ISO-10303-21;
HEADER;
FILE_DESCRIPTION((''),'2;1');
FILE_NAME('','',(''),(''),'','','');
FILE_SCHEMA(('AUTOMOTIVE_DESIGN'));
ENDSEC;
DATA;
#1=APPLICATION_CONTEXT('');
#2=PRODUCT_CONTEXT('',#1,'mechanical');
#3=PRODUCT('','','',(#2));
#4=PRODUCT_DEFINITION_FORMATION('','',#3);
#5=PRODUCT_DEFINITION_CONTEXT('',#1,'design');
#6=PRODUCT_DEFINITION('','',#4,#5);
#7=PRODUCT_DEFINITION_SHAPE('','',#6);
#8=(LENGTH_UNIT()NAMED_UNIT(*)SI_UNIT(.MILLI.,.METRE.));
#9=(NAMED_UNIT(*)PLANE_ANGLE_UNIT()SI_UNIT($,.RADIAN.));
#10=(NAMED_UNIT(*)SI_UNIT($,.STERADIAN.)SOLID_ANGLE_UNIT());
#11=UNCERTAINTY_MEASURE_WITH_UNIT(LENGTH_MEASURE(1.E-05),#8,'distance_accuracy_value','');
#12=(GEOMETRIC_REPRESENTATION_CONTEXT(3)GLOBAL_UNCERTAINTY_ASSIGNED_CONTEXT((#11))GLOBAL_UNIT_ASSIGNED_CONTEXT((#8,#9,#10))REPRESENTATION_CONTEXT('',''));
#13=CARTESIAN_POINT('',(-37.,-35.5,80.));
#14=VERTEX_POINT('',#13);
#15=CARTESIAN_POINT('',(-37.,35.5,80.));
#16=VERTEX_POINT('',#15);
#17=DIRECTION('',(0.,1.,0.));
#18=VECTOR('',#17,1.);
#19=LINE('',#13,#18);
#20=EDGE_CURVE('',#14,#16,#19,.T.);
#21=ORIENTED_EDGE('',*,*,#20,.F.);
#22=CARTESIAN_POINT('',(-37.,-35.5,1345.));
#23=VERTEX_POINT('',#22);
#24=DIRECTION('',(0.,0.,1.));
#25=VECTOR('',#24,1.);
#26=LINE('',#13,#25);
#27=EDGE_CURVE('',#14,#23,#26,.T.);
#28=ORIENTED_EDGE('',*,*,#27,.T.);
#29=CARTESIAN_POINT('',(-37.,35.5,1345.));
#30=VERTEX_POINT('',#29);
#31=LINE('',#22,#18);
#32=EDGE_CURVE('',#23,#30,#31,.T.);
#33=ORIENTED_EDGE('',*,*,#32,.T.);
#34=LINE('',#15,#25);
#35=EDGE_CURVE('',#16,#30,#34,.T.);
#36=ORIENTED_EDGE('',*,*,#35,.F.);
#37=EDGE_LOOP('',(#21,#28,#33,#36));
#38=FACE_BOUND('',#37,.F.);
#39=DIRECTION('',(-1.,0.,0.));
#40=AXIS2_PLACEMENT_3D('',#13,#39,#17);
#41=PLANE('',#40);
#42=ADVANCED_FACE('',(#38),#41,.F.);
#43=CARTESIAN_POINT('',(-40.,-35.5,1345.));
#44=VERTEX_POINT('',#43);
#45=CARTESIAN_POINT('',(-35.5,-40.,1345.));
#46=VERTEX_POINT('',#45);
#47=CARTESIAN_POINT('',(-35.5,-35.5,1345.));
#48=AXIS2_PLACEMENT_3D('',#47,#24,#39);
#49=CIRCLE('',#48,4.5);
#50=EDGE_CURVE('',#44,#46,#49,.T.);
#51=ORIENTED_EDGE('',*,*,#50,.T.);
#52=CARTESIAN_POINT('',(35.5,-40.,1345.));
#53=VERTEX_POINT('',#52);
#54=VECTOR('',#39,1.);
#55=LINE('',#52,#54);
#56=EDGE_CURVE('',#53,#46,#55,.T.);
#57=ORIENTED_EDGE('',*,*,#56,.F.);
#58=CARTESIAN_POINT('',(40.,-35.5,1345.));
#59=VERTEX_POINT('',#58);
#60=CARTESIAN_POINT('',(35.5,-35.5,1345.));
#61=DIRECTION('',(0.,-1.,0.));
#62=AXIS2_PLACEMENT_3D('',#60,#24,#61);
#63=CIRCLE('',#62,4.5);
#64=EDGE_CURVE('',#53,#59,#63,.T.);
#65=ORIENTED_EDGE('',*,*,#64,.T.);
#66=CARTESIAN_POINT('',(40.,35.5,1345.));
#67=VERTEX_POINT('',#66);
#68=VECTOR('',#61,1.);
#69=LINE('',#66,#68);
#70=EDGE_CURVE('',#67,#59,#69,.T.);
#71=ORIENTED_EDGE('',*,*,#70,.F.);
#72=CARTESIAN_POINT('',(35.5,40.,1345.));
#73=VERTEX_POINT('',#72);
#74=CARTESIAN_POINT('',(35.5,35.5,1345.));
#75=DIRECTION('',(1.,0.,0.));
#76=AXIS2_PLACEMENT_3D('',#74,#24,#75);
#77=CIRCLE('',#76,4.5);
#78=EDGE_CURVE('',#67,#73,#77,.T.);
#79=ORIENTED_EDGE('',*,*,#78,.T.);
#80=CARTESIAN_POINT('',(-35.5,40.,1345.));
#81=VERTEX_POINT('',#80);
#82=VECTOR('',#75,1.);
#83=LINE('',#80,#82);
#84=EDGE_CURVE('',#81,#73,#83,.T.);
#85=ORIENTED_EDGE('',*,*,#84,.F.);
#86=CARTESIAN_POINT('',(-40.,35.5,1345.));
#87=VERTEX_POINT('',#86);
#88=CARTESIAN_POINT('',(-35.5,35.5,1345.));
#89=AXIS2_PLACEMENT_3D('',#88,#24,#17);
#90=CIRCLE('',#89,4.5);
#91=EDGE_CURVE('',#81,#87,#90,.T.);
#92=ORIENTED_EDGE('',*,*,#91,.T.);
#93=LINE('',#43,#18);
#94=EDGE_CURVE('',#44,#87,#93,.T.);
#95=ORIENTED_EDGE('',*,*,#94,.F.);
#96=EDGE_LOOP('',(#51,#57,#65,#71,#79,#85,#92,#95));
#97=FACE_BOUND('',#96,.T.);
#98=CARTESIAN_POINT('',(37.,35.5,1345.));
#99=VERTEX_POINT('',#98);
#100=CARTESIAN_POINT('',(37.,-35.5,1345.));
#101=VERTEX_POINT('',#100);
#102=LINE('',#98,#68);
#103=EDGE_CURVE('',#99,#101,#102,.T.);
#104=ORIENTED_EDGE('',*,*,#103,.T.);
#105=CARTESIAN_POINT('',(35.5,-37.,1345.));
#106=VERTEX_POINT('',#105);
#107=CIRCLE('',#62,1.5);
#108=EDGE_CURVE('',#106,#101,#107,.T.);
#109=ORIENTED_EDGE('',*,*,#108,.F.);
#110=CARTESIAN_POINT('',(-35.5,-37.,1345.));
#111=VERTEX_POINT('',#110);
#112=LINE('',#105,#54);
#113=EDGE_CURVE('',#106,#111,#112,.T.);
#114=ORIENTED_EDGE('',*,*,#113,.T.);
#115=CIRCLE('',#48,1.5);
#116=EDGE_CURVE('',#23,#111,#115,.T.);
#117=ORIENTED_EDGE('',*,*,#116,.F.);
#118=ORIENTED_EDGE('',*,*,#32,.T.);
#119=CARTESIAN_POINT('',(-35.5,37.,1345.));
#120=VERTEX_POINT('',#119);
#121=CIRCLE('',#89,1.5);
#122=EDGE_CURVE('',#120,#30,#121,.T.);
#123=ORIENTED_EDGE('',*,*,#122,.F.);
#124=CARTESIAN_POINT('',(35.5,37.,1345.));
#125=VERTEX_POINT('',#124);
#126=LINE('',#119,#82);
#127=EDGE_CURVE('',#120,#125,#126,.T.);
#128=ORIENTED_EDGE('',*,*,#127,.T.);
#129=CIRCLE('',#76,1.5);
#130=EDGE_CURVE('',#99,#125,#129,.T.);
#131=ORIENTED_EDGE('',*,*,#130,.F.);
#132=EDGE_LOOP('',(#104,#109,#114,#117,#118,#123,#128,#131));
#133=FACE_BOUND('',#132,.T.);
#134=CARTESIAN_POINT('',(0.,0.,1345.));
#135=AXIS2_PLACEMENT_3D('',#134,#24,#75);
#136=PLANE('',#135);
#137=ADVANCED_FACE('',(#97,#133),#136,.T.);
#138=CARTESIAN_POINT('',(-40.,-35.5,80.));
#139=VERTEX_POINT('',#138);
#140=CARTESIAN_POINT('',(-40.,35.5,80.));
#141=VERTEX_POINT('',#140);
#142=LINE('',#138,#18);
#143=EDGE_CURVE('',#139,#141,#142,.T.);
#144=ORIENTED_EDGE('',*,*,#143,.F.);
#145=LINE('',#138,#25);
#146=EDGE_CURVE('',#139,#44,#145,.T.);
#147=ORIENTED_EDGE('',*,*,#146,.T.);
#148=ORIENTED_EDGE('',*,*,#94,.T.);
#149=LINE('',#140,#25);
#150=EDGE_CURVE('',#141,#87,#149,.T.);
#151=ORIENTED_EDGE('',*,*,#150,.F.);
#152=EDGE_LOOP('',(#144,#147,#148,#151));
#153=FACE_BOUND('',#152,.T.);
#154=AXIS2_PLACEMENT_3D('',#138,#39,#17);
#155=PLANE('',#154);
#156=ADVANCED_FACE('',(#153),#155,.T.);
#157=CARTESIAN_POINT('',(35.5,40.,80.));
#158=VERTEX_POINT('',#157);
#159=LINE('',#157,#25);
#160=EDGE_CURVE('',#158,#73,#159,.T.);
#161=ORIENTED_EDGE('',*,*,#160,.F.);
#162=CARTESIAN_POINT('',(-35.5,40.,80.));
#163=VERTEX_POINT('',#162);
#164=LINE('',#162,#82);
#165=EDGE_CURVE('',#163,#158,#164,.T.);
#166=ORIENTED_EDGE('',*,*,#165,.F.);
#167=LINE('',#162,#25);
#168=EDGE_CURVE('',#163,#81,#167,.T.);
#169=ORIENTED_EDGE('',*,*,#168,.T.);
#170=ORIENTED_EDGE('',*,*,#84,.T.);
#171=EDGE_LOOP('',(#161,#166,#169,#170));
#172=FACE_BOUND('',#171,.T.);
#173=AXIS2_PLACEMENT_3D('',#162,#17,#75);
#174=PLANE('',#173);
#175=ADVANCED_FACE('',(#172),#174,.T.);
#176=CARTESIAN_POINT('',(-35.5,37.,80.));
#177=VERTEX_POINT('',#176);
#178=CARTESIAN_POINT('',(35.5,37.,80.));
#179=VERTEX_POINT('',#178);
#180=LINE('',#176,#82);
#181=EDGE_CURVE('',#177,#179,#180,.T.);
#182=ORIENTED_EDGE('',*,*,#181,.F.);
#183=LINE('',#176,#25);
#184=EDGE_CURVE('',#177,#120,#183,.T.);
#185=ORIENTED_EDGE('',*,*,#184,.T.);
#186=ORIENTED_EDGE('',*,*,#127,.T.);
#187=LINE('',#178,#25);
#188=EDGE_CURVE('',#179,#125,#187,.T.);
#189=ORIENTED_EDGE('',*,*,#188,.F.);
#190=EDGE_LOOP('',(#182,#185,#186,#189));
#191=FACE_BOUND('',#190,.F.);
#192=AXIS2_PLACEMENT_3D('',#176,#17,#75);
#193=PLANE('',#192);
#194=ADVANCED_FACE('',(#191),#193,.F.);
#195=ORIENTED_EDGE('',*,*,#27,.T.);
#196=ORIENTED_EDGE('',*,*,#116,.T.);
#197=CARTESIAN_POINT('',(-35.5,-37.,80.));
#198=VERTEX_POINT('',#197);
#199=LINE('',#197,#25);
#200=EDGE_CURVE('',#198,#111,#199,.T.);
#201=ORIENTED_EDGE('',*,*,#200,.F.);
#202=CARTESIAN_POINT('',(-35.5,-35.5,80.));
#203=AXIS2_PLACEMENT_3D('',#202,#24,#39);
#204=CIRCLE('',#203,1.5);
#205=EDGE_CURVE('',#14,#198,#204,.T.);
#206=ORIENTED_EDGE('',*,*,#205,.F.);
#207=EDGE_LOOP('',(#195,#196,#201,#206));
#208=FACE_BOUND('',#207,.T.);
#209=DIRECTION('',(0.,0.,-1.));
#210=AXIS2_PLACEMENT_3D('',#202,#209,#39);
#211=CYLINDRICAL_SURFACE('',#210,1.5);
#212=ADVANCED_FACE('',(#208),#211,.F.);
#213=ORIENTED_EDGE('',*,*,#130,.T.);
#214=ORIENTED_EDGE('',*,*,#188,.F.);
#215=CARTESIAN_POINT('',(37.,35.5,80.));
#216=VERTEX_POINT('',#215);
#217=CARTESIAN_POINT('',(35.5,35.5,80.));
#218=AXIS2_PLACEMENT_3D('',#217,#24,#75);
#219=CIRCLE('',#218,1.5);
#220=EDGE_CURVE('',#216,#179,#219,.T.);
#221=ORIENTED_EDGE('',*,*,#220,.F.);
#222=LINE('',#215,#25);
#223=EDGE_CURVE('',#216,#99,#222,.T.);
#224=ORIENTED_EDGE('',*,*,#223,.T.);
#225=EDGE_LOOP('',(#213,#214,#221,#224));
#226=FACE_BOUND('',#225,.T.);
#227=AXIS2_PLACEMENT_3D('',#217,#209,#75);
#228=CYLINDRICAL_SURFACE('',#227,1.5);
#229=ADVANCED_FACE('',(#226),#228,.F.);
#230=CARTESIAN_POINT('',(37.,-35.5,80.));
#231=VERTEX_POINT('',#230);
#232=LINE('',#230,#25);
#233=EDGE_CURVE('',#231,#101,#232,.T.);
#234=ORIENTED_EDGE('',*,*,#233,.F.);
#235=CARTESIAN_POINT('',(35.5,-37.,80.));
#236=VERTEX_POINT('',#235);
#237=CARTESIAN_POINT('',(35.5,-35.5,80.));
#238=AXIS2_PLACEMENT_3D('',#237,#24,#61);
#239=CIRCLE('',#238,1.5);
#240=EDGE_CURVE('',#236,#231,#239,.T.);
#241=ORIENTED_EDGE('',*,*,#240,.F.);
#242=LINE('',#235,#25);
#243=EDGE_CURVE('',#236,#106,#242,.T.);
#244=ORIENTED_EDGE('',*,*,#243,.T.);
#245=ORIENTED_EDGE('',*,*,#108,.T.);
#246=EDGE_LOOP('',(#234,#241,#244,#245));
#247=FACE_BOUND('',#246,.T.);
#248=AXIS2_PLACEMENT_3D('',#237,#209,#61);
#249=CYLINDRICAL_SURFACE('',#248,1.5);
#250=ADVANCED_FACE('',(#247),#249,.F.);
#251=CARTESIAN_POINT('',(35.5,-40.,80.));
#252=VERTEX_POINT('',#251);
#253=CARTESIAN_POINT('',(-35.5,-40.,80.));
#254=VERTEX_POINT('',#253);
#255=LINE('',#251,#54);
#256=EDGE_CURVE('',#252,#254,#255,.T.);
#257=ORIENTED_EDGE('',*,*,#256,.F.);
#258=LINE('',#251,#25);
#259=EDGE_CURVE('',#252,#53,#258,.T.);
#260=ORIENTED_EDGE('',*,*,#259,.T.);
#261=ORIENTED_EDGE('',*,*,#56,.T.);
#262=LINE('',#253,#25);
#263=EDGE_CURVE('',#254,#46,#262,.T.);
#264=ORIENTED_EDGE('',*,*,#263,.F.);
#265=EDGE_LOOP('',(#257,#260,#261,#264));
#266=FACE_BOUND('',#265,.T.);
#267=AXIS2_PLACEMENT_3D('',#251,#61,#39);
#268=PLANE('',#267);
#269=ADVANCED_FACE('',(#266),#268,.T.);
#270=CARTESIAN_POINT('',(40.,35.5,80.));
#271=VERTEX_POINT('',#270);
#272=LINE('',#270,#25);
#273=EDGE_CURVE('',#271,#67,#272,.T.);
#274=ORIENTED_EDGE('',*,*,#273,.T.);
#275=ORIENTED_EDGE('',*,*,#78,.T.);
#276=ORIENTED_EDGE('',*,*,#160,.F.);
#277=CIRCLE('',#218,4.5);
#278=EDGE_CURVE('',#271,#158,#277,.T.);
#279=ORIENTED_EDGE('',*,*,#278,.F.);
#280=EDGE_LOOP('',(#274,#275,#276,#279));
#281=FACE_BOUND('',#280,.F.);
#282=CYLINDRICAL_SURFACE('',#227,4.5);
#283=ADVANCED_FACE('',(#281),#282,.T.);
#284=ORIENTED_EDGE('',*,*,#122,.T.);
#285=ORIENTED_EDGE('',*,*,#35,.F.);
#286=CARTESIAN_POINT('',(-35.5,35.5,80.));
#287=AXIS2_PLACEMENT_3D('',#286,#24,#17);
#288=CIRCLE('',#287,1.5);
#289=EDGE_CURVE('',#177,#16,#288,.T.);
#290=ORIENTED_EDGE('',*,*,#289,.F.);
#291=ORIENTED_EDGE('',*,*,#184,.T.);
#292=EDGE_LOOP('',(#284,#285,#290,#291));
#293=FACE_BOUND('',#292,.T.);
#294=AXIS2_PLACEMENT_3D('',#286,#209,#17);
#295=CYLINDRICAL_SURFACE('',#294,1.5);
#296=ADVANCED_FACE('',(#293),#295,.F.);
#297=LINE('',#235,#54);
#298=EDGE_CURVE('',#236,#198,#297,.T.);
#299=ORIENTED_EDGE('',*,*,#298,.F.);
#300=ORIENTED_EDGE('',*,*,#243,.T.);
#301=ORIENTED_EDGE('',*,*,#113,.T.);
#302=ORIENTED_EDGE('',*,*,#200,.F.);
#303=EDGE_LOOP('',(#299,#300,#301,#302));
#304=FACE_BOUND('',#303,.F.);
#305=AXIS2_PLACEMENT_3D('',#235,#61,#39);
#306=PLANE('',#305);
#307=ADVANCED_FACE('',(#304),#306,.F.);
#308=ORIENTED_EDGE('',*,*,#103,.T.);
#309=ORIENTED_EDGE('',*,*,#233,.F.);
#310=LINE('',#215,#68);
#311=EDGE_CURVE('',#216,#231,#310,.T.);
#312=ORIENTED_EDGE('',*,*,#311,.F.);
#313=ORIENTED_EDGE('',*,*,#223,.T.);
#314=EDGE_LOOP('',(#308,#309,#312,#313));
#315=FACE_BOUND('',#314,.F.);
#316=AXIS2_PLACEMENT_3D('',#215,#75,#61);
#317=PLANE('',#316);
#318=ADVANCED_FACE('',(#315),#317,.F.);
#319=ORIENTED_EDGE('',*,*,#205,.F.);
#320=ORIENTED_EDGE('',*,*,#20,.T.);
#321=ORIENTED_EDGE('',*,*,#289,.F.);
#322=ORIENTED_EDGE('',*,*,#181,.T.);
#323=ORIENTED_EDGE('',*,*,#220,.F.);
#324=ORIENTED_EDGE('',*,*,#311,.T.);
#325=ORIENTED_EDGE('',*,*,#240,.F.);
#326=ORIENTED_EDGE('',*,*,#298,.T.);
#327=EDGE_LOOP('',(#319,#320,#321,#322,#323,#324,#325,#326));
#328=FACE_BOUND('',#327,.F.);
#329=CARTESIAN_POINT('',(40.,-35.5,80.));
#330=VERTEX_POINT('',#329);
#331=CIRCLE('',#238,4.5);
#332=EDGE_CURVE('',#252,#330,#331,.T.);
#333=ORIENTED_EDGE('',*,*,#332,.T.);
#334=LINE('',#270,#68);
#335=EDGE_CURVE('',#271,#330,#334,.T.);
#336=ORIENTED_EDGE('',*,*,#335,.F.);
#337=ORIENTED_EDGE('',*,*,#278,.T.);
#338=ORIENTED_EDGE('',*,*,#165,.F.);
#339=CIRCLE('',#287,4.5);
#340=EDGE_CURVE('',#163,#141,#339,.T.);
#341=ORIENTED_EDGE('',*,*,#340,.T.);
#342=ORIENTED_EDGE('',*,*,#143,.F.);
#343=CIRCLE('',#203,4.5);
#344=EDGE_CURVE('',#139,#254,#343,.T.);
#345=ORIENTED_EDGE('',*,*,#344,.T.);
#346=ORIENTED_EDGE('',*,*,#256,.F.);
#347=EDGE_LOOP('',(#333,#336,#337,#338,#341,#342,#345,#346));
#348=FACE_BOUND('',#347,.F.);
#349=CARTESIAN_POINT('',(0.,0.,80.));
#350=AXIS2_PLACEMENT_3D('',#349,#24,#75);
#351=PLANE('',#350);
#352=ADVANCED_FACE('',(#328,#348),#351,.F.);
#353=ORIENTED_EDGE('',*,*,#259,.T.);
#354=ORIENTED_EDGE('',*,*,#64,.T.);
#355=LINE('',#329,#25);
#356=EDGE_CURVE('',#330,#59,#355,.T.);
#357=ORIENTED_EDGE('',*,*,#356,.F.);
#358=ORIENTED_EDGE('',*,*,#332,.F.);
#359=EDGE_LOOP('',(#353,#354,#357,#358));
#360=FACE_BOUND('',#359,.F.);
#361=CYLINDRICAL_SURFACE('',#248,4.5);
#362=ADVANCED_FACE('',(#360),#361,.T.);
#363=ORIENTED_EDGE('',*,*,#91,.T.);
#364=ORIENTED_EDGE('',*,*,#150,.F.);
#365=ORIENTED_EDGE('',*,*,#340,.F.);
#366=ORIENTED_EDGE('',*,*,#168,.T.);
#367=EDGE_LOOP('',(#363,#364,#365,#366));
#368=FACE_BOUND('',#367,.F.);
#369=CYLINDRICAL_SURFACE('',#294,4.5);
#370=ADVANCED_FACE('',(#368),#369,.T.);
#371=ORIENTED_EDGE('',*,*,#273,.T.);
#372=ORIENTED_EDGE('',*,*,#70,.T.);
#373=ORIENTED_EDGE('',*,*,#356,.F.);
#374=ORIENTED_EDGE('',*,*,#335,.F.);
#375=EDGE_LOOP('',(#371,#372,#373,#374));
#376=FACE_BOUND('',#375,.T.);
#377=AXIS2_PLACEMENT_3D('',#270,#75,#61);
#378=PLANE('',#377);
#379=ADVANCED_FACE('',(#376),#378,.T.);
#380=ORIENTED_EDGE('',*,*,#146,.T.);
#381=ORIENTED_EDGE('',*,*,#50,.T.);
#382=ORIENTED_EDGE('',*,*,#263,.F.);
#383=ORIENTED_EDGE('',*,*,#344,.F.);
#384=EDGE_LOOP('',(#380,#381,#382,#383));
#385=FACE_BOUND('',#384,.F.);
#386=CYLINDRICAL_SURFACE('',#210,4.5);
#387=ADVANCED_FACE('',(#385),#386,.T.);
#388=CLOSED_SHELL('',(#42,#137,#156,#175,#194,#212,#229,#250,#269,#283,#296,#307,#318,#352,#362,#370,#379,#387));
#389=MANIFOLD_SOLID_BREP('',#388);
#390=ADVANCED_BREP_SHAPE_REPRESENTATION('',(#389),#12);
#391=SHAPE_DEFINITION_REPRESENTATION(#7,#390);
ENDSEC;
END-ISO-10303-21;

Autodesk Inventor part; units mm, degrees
ref_plane "YZ Plane" through (0, 0, 0) normal (1, 0, 0) x (0, 1, 0)
ref_plane "Start Plane" through (0, 0, 80) normal (0, 0, 1) x (1, 0, 0)
ref_plane "End Plane" through (0, 0, 1345) normal (0, 0, 1) x (1, 0, 0)
sketch "Sketch" plane through (0, 0, 0) normal (0, 0, 1) x (1, 0, 0)
  line L0 (-40, -35.5) -> (-40, 35.5)
  line L1 (-35.5, 40) -> (35.5, 40)
  line L2 (40, 35.5) -> (40, -35.5)
  line L3 (35.5, -40) -> (-35.5, -40)
  arc A0 (-40, -35.5) -> (-35.5, -40) centre (-35.5, -35.5) ccw
  arc A1 (-35.5, 40) -> (-40, 35.5) centre (-35.5, 35.5) ccw
  arc A2 (40, 35.5) -> (35.5, 40) centre (35.5, 35.5) ccw
  arc A3 (35.5, -40) -> (40, -35.5) centre (35.5, -35.5) ccw
  arc A4 (-35.5, 37) -> (-37, 35.5) centre (-35.5, 35.5) ccw
  line L4 (-35.5, 37) -> (35.5, 37)
  arc A5 (37, 35.5) -> (35.5, 37) centre (35.5, 35.5) ccw
  line L5 (37, 35.5) -> (37, -35.5)
  arc A6 (35.5, -37) -> (37, -35.5) centre (35.5, -35.5) ccw
  line L6 (35.5, -37) -> (-35.5, -37)
  arc A7 (-37, -35.5) -> (-35.5, -37) centre (-35.5, -35.5) ccw
  line L7 (-37, -35.5) -> (-37, 35.5)
  line L8 (0, 57.3048) -> (0, -57.3048) construction
  line L9 (-57.3048, 0) -> (57.3048, 0) construction
  dimension "d7" = 4.5
  dimension "d10" = 80
  dimension "d11" = 80
  dimension "d12" = 3
  dimension "d15" = 40
  dimension "d16" = 40
extrude "Body" add sketch "Sketch" along normal up to surface (1265 mm away) from surface at 80
sketch "Sketch3" plane through (0, 0, 0) normal (0, 0, 1) x (1, 0, 0)
  line L0 (0, 0) -> (10, 0)
ref_plane "Work Plane3" through (0, 0, 0) normal (0, -1, 0) x (1, 0, 0)
sketch "Sketch4" plane through (0, 0, 0) normal (0, -1, 0) x (1, 0, 0)
  line L0 (-2, 80) -> (12, 80) projected
  line L1 (-2, 1345) -> (12, 1345) projected
  dimension "d18" = 1265
equation "\"d7\" = G_IR"
equation "\"d10\" = G_H"
equation "\"d11\" = G_W"
equation "\"d12\" = G_T"
equation "\"d15\" = 0.5 * d10"
equation "\"d16\" = 0.5 * d11"
equation "\"d3\" = G_L"
equation "\"G_W\" = 80"
equation "\"G_H\" = 80"
equation "\"G_T\" = 3"
equation "\"G_IR\" = 4.5"
equation "\"G_L\" = d18"
equation "\"d14\" = G_OFFSET_END + B_L"
equation "\"B_L\" = 1425"
equation "\"G_OFFSET_END\" = -80"
properties part number "ISO 12633-2 - 80x80x3 - 1265" material "Steel, Mild"
